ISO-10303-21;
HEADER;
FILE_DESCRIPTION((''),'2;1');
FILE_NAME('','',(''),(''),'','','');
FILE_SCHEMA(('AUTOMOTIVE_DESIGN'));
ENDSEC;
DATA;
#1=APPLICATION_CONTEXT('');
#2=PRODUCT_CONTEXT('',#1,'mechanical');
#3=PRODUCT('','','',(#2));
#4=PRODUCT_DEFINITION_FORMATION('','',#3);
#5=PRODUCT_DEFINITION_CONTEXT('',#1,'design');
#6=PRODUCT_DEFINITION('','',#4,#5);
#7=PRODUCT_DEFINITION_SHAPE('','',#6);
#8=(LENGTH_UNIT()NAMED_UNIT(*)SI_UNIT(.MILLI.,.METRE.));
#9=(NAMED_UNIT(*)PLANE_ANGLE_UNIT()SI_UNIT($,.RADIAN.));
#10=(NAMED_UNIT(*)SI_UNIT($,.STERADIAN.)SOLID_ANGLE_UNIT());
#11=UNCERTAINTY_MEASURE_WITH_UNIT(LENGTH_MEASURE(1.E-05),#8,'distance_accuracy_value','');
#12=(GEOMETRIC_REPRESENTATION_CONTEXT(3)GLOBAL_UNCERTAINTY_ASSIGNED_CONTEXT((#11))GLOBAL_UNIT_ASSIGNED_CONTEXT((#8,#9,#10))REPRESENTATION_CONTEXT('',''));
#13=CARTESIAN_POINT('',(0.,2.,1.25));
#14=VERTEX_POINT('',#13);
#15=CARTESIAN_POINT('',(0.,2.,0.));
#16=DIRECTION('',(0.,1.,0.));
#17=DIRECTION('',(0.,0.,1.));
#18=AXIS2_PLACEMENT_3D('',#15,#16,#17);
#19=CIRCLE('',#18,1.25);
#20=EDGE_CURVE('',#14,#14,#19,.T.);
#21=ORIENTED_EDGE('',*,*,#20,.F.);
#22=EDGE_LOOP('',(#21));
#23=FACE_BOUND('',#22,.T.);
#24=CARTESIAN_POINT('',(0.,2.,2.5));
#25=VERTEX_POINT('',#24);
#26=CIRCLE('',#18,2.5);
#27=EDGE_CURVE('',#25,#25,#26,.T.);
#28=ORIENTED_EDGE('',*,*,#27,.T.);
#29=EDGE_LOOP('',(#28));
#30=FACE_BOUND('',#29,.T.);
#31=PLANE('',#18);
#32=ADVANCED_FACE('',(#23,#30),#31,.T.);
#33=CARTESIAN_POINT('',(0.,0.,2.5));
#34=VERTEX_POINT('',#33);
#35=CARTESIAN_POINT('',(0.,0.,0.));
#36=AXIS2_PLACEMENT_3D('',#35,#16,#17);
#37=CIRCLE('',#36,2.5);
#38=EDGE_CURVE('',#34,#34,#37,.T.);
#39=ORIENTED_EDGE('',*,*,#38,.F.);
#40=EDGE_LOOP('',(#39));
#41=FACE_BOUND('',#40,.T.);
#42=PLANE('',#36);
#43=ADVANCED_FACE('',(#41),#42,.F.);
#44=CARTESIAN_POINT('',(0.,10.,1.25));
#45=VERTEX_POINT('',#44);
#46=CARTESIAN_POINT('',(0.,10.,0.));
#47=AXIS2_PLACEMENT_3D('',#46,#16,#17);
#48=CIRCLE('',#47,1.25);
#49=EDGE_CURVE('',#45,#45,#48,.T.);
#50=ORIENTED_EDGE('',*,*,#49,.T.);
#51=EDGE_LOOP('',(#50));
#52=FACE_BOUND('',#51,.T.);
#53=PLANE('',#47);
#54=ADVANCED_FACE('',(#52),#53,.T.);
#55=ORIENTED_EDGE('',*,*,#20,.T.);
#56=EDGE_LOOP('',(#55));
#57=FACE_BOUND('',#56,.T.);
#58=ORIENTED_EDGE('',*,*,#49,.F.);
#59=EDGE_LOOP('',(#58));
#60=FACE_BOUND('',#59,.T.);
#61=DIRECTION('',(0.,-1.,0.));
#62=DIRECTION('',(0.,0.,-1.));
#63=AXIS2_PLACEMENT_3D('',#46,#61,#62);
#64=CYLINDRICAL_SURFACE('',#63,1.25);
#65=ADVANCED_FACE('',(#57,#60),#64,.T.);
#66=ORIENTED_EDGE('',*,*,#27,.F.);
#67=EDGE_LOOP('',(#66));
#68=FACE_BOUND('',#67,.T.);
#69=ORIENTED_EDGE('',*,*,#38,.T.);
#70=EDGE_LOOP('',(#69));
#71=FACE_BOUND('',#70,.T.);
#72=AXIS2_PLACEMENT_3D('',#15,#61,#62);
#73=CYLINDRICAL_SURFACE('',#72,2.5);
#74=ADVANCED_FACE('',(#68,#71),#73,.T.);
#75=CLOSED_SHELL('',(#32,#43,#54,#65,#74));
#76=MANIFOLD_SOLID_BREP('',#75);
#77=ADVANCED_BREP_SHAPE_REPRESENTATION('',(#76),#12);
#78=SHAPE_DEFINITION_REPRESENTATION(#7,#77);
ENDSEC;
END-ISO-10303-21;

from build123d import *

# Parameters (mm, degrees)
SKETCH1_R           = 2.5
BOSS_EXTRUDE1_DEPTH = 2
SKETCH2_R           = 1.25
BOSS_EXTRUDE2_DEPTH = 8


with BuildPart() as part:
    # Sketch1 → Boss-Extrude1 (new body)
    with BuildSketch(Plane(origin=(0, 0, 0), x_dir=(1, 0, 0), z_dir=(0, 1, 0))):
        Circle(SKETCH1_R)
    extrude(amount=BOSS_EXTRUDE1_DEPTH)

    # Sketch2 → Boss-Extrude2 (add)
    with BuildSketch(Plane(origin=(0, 2, 0), x_dir=(1, 0, 0), z_dir=(0, 1, 0))):
        Circle(SKETCH2_R)
    extrude(amount=BOSS_EXTRUDE2_DEPTH)


solid = part.part
